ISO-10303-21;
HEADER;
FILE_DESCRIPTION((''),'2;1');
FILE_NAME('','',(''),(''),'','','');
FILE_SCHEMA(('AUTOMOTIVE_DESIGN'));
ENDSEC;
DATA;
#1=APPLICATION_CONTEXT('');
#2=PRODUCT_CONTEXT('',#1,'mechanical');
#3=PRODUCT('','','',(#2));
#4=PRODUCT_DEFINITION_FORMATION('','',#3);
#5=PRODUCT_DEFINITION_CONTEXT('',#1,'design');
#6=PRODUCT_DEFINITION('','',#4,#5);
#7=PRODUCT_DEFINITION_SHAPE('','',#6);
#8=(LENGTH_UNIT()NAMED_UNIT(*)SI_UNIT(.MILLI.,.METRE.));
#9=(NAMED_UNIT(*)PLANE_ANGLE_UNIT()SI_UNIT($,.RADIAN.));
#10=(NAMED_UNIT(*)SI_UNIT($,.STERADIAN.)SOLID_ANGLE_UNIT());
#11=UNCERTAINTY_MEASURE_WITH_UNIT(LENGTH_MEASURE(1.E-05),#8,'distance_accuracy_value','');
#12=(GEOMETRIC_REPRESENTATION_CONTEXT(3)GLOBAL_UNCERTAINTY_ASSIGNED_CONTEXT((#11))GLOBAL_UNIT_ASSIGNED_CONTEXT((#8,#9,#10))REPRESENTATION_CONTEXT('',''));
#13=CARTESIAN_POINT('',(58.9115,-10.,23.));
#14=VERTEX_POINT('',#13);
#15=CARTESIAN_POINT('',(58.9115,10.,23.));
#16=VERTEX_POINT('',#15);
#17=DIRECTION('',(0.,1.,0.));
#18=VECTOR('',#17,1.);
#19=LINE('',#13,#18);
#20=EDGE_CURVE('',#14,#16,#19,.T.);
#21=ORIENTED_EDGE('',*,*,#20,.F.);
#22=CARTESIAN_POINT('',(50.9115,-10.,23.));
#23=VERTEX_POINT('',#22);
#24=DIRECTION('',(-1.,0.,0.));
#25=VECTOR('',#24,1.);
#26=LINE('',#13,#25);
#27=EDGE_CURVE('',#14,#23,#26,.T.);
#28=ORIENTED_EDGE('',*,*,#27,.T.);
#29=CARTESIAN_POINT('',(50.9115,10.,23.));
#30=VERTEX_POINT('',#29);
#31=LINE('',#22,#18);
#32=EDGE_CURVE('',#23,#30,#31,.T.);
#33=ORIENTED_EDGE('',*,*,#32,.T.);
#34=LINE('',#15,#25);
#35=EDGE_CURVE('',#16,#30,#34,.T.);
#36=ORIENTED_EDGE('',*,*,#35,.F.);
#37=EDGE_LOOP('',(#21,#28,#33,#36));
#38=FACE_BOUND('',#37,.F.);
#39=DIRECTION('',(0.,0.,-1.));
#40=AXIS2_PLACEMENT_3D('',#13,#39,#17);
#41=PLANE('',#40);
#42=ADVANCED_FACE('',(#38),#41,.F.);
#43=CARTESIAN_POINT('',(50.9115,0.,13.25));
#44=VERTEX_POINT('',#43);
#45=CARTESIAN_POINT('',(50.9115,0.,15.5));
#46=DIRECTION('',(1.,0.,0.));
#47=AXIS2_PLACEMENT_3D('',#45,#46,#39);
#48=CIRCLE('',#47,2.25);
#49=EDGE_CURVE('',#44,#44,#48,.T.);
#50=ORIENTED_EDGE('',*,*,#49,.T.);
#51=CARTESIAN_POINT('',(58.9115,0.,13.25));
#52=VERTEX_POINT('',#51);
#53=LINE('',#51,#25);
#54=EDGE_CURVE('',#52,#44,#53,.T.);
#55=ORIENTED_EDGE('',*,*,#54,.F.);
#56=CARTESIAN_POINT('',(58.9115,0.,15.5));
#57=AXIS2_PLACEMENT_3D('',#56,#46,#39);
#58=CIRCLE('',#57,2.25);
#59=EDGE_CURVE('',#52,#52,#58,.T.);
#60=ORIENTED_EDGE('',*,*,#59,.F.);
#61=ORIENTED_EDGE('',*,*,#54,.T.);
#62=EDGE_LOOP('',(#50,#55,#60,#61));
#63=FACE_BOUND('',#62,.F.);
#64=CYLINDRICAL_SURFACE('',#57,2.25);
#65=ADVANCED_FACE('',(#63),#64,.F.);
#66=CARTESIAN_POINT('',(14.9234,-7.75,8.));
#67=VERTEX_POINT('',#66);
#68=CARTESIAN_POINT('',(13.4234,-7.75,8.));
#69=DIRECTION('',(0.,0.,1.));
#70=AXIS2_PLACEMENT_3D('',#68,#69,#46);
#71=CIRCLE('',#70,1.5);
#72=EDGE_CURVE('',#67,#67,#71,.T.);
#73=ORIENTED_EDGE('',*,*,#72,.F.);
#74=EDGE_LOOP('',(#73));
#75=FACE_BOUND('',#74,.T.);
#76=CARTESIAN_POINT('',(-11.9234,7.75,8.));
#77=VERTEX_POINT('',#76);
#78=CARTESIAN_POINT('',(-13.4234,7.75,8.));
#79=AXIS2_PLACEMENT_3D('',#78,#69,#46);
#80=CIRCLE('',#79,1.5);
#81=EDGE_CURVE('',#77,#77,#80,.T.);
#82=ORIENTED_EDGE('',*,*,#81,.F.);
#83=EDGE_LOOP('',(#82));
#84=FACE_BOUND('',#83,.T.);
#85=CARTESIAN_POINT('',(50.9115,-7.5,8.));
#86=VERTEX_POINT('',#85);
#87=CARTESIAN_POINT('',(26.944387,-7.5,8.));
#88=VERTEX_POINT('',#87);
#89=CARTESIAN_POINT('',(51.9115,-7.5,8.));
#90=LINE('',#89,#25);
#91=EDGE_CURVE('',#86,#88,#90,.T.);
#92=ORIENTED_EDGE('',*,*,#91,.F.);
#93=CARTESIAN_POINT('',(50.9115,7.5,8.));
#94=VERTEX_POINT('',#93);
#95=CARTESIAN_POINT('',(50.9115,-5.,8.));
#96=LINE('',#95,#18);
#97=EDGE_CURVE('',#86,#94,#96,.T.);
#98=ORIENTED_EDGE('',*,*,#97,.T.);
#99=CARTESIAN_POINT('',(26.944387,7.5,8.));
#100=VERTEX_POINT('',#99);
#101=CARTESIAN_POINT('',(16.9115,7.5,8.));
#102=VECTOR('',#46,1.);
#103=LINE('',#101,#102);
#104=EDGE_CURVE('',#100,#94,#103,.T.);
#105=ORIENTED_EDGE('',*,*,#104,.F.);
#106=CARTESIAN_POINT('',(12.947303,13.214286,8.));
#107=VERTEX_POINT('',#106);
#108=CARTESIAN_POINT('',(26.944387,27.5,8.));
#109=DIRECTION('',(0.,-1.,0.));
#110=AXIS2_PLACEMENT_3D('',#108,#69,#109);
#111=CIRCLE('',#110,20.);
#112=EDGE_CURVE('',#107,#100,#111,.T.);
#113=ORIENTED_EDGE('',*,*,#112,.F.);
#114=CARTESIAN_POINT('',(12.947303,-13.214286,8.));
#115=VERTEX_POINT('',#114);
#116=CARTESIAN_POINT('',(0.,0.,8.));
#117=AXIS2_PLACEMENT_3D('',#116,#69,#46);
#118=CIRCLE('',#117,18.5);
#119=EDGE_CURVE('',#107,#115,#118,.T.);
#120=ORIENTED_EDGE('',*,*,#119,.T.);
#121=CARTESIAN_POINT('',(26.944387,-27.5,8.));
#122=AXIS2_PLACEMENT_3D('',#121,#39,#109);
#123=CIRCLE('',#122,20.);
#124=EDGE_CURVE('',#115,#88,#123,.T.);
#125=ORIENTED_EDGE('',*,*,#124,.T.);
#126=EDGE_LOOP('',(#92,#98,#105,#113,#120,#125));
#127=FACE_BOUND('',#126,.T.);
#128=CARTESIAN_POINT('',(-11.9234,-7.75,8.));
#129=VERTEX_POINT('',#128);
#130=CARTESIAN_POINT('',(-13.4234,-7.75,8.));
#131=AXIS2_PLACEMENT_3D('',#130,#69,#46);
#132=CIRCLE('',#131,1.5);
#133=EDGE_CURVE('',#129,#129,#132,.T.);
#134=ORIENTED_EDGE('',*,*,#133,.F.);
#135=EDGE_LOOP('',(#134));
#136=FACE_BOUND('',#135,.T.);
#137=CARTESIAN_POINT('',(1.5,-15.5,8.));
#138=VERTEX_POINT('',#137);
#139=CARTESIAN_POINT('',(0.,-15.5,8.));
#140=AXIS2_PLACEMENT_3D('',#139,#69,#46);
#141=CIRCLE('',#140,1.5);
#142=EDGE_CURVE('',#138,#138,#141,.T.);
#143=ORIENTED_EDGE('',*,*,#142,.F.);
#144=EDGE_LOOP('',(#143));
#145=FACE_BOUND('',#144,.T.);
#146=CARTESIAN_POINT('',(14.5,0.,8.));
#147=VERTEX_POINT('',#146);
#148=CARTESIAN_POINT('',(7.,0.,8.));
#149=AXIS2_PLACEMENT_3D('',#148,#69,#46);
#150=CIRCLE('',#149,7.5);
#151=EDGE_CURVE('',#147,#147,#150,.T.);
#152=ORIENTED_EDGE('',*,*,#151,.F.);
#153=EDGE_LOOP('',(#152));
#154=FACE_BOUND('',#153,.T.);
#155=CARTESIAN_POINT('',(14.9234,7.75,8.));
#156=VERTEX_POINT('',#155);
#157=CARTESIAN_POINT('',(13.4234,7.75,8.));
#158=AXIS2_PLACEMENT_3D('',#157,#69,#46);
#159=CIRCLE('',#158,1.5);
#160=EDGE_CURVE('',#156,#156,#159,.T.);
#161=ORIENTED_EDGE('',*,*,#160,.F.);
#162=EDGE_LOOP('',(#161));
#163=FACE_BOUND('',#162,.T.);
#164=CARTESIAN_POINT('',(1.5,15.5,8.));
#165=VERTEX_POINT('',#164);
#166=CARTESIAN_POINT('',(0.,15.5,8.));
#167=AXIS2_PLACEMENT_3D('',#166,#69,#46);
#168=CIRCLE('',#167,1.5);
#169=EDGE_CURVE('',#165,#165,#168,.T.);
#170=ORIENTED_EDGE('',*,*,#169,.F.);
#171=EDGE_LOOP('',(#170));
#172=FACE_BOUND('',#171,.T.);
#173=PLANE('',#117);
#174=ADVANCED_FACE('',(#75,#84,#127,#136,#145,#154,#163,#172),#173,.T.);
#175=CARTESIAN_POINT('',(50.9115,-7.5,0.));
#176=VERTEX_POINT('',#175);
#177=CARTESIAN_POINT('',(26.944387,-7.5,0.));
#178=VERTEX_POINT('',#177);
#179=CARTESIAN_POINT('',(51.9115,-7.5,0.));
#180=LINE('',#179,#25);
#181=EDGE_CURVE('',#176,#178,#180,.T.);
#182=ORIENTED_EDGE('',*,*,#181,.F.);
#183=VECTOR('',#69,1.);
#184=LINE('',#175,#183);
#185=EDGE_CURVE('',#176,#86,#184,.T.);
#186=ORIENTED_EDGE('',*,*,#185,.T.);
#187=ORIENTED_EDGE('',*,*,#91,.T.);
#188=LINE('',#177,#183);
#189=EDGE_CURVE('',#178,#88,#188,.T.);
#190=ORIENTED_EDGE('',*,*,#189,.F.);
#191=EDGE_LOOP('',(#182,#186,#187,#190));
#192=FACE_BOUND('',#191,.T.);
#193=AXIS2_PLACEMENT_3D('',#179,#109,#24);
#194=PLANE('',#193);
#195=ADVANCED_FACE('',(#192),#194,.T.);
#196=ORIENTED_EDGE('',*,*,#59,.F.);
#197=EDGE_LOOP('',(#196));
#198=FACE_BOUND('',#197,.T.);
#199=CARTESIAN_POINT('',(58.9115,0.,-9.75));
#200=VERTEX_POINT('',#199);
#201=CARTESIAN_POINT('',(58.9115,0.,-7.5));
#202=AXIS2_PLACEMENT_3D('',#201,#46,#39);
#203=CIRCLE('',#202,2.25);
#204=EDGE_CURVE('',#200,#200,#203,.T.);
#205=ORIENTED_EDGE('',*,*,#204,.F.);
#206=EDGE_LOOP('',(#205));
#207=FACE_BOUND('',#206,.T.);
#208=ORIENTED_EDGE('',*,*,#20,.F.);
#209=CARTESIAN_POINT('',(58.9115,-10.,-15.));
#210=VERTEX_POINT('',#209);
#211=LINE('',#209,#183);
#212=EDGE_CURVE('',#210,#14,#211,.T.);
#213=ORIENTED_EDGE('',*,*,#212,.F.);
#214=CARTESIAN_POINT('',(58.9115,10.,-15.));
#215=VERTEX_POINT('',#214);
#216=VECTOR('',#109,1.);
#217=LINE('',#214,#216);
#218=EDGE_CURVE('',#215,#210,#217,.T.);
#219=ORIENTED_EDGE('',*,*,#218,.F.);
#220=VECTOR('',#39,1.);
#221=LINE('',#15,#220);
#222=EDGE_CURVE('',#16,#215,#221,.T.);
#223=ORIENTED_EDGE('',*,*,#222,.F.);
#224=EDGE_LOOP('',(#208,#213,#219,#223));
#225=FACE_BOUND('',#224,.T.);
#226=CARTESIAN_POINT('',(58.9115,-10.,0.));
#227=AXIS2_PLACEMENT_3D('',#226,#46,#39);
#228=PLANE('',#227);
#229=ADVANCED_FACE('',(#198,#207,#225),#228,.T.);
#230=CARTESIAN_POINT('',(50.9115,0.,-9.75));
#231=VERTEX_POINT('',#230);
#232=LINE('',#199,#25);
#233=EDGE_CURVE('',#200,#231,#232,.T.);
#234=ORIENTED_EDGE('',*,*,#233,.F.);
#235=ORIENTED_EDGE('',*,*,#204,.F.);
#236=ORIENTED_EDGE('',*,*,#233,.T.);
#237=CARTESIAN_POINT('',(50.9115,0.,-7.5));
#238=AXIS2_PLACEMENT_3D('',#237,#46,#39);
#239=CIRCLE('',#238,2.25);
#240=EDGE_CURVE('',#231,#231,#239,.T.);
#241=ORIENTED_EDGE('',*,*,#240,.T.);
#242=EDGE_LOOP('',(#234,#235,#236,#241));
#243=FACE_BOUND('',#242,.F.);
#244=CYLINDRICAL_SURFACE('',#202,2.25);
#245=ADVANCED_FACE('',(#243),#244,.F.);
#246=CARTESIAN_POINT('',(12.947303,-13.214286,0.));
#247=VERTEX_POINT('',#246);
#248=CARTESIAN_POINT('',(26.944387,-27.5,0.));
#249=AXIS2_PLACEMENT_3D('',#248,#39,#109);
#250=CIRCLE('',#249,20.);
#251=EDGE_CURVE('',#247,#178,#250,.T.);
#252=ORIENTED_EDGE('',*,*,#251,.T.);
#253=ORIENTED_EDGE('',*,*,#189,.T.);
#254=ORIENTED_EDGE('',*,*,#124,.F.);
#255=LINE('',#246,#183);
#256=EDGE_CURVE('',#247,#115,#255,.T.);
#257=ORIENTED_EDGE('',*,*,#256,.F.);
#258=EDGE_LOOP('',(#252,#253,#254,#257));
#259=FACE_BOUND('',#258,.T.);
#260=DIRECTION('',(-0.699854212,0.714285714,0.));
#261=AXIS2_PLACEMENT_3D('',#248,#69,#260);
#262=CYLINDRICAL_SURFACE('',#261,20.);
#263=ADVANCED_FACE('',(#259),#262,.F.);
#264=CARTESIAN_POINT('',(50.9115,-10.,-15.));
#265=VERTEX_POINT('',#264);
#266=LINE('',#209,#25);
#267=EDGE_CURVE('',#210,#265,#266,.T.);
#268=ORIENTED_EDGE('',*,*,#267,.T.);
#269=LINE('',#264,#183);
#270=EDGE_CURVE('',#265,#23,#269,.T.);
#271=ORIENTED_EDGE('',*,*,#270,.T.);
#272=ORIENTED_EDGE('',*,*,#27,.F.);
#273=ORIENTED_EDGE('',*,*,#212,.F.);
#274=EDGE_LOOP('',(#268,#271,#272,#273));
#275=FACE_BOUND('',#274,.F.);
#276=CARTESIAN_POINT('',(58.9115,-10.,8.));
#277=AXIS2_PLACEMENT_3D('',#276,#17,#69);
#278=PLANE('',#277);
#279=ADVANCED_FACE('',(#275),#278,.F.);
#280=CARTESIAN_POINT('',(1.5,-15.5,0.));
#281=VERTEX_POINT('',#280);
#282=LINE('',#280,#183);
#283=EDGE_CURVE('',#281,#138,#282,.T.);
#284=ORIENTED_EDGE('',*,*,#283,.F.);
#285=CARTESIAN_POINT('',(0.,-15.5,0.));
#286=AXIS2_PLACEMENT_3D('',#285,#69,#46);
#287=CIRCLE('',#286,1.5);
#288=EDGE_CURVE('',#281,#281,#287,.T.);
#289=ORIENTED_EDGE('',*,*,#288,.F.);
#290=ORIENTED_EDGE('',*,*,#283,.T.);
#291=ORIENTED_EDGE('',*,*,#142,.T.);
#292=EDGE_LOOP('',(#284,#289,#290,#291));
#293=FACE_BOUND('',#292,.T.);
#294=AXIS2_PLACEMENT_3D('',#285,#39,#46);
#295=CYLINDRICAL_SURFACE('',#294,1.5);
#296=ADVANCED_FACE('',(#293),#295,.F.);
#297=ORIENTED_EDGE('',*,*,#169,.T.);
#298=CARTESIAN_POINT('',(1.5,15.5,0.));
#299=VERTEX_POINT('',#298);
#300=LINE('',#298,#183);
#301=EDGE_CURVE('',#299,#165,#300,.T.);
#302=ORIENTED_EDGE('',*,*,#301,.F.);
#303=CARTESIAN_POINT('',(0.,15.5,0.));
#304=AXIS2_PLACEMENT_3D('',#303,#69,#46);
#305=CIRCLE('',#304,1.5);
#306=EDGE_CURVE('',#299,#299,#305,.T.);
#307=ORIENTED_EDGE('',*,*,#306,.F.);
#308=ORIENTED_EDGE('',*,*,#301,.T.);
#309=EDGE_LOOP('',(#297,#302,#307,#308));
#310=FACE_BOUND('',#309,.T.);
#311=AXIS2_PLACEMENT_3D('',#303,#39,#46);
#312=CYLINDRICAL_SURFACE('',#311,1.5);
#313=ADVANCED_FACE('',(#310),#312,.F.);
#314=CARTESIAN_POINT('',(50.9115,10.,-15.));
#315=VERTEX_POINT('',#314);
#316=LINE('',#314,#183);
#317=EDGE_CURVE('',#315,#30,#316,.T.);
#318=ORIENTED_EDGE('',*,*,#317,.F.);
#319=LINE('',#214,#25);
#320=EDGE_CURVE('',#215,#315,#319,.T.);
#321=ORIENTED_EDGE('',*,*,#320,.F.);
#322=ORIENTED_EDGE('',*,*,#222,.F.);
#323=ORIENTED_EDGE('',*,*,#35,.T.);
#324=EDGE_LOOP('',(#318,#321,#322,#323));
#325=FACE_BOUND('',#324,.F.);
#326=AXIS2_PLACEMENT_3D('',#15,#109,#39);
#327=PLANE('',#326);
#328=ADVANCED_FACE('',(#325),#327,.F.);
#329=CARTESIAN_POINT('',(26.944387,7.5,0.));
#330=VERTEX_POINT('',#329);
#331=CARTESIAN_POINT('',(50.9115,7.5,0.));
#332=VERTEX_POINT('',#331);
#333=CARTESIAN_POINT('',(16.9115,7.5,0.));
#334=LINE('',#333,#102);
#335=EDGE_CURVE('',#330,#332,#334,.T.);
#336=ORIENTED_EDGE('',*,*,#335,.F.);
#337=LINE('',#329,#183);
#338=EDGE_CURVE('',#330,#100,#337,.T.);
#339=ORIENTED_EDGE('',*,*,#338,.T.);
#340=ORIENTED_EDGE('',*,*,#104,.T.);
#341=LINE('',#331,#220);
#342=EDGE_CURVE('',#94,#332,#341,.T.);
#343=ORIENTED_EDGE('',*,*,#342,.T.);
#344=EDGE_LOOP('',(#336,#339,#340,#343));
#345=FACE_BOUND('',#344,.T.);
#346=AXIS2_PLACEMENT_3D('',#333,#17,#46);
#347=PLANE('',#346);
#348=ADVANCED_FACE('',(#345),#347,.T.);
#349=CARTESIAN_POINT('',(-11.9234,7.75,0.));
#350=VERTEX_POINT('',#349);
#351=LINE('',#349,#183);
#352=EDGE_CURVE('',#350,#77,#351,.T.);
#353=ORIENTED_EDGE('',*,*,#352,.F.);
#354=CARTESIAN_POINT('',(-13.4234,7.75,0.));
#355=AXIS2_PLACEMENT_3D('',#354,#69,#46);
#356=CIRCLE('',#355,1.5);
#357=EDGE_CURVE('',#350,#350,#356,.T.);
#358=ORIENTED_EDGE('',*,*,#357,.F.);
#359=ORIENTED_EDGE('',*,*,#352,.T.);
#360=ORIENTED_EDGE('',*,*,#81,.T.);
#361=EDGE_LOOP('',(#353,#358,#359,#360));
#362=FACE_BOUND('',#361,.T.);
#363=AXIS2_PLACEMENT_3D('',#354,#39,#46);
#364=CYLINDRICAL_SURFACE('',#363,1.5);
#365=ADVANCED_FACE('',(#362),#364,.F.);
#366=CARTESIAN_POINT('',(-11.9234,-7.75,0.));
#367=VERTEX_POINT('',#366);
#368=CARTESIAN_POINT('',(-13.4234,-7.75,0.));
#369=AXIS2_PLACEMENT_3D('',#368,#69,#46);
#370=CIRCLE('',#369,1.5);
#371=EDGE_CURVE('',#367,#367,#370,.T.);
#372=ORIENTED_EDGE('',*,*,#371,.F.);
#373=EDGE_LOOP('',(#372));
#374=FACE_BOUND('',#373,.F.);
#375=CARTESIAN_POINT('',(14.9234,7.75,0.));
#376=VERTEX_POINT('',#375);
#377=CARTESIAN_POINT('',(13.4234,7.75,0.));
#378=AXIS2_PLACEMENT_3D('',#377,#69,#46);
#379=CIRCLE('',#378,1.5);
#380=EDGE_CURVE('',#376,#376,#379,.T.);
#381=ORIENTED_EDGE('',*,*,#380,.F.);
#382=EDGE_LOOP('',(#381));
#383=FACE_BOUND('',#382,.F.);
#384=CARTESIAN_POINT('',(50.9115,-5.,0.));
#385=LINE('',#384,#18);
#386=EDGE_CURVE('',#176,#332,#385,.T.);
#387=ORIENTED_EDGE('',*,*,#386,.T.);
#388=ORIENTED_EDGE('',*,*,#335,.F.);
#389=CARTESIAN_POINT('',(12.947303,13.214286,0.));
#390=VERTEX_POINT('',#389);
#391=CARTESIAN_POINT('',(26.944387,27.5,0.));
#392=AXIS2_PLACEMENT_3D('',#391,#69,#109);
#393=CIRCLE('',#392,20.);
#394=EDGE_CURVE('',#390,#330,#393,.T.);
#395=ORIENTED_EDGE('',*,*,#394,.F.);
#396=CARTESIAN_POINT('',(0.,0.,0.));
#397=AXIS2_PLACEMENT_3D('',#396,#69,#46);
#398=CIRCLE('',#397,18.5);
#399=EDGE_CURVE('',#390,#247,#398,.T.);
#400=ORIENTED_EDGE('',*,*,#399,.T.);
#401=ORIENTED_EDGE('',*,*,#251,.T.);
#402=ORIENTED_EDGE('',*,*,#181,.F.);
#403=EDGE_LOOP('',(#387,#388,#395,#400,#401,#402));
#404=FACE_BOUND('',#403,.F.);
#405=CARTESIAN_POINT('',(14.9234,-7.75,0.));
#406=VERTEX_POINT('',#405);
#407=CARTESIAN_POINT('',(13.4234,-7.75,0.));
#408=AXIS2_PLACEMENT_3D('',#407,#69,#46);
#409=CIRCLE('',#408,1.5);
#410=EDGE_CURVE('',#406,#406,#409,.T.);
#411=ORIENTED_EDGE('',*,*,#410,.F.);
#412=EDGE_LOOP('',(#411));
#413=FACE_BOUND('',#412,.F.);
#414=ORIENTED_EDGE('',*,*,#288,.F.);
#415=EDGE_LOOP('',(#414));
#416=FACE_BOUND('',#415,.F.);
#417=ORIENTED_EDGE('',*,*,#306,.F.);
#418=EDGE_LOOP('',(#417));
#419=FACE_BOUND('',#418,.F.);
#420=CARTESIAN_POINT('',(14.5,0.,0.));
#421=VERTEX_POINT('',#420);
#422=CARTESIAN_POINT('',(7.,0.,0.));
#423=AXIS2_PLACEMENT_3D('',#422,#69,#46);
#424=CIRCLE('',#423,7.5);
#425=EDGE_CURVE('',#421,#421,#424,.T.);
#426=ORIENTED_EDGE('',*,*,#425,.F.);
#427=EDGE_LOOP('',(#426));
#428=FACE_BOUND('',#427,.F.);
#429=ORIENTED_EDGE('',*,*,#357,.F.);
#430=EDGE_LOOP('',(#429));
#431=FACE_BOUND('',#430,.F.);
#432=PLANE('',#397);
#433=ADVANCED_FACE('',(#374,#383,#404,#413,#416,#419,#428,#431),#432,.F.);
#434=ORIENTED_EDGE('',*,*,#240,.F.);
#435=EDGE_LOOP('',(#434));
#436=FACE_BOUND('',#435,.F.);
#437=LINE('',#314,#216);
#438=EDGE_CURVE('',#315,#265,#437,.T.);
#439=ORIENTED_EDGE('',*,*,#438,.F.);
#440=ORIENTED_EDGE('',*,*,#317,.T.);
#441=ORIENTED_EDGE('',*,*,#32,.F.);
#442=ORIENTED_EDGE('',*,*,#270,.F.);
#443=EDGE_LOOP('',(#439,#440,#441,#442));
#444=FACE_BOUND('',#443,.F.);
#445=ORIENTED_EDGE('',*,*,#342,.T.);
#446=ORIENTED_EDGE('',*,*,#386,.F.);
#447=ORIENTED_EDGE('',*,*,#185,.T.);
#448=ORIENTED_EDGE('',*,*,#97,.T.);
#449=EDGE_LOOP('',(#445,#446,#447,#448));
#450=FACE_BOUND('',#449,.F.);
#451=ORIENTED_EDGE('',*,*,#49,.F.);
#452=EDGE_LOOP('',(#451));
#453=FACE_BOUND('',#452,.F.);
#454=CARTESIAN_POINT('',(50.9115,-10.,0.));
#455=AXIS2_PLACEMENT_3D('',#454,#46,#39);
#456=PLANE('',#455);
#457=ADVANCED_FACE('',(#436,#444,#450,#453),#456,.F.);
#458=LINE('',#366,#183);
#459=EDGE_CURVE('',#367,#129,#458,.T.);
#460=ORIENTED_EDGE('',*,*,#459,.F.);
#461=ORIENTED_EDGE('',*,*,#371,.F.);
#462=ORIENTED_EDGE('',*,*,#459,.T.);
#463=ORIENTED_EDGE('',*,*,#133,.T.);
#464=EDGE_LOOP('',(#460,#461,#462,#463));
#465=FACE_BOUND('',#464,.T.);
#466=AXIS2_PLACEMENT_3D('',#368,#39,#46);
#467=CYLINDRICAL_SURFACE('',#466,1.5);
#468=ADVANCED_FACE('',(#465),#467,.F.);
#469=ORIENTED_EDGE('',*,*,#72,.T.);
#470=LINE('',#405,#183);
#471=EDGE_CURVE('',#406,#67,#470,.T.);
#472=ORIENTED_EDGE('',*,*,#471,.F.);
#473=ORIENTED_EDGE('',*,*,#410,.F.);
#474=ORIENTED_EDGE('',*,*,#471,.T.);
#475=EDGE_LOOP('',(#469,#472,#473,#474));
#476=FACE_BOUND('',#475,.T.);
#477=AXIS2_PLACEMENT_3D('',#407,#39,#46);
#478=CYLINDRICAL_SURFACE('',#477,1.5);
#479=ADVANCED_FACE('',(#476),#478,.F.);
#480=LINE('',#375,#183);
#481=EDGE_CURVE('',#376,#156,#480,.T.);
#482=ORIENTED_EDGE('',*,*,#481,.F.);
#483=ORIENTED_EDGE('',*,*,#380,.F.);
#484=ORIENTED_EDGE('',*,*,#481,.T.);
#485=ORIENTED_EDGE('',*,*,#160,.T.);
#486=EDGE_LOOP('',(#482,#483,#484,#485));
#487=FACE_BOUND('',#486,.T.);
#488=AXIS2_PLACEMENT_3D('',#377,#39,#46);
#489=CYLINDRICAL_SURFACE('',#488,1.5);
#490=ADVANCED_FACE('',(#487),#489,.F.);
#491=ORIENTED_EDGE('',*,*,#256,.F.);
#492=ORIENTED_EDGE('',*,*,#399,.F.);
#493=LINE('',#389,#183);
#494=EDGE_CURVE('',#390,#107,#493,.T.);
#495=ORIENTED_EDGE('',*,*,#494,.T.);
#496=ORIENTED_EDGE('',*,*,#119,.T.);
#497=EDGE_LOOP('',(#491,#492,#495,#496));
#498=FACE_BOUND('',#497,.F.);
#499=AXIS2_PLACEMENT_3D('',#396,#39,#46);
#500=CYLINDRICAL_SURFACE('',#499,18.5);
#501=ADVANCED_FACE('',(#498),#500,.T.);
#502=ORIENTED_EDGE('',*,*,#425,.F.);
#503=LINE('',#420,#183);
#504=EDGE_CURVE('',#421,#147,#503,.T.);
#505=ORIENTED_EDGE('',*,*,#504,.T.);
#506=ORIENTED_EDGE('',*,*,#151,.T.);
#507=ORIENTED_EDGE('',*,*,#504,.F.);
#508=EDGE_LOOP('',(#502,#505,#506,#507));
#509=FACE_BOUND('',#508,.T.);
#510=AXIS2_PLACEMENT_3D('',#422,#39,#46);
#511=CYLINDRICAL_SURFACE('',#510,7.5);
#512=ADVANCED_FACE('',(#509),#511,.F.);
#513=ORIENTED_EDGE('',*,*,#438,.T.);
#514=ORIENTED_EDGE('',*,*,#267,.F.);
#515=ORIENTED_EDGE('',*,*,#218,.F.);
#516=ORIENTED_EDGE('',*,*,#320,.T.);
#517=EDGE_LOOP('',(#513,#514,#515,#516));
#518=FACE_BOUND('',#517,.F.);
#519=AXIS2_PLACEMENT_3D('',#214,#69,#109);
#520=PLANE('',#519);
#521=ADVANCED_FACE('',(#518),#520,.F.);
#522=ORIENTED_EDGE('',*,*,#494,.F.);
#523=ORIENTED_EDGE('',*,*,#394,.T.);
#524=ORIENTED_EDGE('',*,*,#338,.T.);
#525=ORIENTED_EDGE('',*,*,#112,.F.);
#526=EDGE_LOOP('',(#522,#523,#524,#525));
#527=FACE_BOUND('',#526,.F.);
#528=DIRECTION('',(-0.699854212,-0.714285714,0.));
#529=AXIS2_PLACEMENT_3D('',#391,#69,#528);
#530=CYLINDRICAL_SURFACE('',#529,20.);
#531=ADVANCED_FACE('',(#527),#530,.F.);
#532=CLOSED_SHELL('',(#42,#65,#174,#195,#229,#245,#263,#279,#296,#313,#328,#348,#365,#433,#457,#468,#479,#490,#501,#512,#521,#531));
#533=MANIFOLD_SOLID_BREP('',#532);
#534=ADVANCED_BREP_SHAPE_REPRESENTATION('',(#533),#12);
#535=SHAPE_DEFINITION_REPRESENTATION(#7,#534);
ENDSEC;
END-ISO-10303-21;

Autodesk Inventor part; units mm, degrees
ref_plane "YZ Plane" through (0, 0, 0) normal (1, 0, 0) x (0, 1, 0)
ref_plane "XZ Plane" through (0, 0, 0) normal (0, 1, 0) x (-1, 0, 0)
ref_plane "XY Plane" through (0, 0, 0) normal (0, 0, 1) x (1, 0, 0)
sketch "Sketch1" plane through (0, 0, 0) normal (0, 0, 1) x (1, 0, 0)
  circle A0 centre (13.4234, -7.75) radius 1.5 projected
  circle A1 centre (-13.4234, -7.75) radius 1.5 projected
  circle A2 centre (0, 15.5) radius 1.5 projected
  circle A3 centre (-13.4234, 7.75) radius 1.5 projected
  circle A4 centre (0, -15.5) radius 1.5 projected
  circle A5 centre (13.4234, 7.75) radius 1.5 projected
  circle A6 centre (7, 0) radius 7 projected
  circle A7 centre (0, 0) radius 18.5 projected
  circle A8 centre (7, 0) radius 7.5
  line L0 (16.9115, 7.5) -> (51.9115, 7.5)
  line L1 (51.9115, 7.5) -> (51.9115, -7.5)
  line L2 (51.9115, -7.5) -> (16.9115, -7.5)
  line L3 (51.9115, -10) -> (58.9115, -10)
  line L4 (58.9115, -10) -> (58.9115, 10)
  line L5 (58.9115, 10) -> (51.9115, 10)
  line L6 (51.9115, 10) -> (51.9115, -10)
  point P0 (0, 0)
  point P1 (51.9115, -7.5)
  dimension "d0" = 15
  dimension "d1" = 35
  dimension "d2" = 20
  dimension "d3" = 7
  dimension "d4" = 2.5
  dimension "d5" = 0
extrude "Extrusion1" add sketch "Sketch1" along normal blind 8 contours A7 | A7 L0 L1 L2 | L6 L5 L4 L3 L1
sketch "Sketch2" plane through (58.9115, -10, 0) normal (1, 0, 0) x (0, 0, -1)
  line L0 (-23, 20) -> (15, 20)
  line L1 (15, 20) -> (15, 0)
  line L2 (15, 0) -> (-23, 0)
  line L3 (-23, 0) -> (-23, 20)
  line L4 (0, 20) -> (-8, 20) projected
  line L5 (-8, 0) -> (-8, 20) projected
  circle A0 centre (7.5, 10) radius 2.25
  circle A1 centre (-15.5, 10) radius 2.25
  point P0 (0, 10)
  dimension "d8" = 20
  dimension "d9" = 0
  dimension "d10" = 38
  dimension "d11" = 15
  dimension "d12" = 4.5
  dimension "d13" = 4.5
  dimension "d14" = 7.5
  dimension "d15" = 7.5
extrude "Extrusion2" add sketch "Sketch2" against normal blind 8
fillet "Fillet1" radius 20 2 edges at (16.9115, 7.5, 4) (16.9115, -7.5, 4)
equation "\"d14\" = d15"
properties part number "DCMotorHolder"
